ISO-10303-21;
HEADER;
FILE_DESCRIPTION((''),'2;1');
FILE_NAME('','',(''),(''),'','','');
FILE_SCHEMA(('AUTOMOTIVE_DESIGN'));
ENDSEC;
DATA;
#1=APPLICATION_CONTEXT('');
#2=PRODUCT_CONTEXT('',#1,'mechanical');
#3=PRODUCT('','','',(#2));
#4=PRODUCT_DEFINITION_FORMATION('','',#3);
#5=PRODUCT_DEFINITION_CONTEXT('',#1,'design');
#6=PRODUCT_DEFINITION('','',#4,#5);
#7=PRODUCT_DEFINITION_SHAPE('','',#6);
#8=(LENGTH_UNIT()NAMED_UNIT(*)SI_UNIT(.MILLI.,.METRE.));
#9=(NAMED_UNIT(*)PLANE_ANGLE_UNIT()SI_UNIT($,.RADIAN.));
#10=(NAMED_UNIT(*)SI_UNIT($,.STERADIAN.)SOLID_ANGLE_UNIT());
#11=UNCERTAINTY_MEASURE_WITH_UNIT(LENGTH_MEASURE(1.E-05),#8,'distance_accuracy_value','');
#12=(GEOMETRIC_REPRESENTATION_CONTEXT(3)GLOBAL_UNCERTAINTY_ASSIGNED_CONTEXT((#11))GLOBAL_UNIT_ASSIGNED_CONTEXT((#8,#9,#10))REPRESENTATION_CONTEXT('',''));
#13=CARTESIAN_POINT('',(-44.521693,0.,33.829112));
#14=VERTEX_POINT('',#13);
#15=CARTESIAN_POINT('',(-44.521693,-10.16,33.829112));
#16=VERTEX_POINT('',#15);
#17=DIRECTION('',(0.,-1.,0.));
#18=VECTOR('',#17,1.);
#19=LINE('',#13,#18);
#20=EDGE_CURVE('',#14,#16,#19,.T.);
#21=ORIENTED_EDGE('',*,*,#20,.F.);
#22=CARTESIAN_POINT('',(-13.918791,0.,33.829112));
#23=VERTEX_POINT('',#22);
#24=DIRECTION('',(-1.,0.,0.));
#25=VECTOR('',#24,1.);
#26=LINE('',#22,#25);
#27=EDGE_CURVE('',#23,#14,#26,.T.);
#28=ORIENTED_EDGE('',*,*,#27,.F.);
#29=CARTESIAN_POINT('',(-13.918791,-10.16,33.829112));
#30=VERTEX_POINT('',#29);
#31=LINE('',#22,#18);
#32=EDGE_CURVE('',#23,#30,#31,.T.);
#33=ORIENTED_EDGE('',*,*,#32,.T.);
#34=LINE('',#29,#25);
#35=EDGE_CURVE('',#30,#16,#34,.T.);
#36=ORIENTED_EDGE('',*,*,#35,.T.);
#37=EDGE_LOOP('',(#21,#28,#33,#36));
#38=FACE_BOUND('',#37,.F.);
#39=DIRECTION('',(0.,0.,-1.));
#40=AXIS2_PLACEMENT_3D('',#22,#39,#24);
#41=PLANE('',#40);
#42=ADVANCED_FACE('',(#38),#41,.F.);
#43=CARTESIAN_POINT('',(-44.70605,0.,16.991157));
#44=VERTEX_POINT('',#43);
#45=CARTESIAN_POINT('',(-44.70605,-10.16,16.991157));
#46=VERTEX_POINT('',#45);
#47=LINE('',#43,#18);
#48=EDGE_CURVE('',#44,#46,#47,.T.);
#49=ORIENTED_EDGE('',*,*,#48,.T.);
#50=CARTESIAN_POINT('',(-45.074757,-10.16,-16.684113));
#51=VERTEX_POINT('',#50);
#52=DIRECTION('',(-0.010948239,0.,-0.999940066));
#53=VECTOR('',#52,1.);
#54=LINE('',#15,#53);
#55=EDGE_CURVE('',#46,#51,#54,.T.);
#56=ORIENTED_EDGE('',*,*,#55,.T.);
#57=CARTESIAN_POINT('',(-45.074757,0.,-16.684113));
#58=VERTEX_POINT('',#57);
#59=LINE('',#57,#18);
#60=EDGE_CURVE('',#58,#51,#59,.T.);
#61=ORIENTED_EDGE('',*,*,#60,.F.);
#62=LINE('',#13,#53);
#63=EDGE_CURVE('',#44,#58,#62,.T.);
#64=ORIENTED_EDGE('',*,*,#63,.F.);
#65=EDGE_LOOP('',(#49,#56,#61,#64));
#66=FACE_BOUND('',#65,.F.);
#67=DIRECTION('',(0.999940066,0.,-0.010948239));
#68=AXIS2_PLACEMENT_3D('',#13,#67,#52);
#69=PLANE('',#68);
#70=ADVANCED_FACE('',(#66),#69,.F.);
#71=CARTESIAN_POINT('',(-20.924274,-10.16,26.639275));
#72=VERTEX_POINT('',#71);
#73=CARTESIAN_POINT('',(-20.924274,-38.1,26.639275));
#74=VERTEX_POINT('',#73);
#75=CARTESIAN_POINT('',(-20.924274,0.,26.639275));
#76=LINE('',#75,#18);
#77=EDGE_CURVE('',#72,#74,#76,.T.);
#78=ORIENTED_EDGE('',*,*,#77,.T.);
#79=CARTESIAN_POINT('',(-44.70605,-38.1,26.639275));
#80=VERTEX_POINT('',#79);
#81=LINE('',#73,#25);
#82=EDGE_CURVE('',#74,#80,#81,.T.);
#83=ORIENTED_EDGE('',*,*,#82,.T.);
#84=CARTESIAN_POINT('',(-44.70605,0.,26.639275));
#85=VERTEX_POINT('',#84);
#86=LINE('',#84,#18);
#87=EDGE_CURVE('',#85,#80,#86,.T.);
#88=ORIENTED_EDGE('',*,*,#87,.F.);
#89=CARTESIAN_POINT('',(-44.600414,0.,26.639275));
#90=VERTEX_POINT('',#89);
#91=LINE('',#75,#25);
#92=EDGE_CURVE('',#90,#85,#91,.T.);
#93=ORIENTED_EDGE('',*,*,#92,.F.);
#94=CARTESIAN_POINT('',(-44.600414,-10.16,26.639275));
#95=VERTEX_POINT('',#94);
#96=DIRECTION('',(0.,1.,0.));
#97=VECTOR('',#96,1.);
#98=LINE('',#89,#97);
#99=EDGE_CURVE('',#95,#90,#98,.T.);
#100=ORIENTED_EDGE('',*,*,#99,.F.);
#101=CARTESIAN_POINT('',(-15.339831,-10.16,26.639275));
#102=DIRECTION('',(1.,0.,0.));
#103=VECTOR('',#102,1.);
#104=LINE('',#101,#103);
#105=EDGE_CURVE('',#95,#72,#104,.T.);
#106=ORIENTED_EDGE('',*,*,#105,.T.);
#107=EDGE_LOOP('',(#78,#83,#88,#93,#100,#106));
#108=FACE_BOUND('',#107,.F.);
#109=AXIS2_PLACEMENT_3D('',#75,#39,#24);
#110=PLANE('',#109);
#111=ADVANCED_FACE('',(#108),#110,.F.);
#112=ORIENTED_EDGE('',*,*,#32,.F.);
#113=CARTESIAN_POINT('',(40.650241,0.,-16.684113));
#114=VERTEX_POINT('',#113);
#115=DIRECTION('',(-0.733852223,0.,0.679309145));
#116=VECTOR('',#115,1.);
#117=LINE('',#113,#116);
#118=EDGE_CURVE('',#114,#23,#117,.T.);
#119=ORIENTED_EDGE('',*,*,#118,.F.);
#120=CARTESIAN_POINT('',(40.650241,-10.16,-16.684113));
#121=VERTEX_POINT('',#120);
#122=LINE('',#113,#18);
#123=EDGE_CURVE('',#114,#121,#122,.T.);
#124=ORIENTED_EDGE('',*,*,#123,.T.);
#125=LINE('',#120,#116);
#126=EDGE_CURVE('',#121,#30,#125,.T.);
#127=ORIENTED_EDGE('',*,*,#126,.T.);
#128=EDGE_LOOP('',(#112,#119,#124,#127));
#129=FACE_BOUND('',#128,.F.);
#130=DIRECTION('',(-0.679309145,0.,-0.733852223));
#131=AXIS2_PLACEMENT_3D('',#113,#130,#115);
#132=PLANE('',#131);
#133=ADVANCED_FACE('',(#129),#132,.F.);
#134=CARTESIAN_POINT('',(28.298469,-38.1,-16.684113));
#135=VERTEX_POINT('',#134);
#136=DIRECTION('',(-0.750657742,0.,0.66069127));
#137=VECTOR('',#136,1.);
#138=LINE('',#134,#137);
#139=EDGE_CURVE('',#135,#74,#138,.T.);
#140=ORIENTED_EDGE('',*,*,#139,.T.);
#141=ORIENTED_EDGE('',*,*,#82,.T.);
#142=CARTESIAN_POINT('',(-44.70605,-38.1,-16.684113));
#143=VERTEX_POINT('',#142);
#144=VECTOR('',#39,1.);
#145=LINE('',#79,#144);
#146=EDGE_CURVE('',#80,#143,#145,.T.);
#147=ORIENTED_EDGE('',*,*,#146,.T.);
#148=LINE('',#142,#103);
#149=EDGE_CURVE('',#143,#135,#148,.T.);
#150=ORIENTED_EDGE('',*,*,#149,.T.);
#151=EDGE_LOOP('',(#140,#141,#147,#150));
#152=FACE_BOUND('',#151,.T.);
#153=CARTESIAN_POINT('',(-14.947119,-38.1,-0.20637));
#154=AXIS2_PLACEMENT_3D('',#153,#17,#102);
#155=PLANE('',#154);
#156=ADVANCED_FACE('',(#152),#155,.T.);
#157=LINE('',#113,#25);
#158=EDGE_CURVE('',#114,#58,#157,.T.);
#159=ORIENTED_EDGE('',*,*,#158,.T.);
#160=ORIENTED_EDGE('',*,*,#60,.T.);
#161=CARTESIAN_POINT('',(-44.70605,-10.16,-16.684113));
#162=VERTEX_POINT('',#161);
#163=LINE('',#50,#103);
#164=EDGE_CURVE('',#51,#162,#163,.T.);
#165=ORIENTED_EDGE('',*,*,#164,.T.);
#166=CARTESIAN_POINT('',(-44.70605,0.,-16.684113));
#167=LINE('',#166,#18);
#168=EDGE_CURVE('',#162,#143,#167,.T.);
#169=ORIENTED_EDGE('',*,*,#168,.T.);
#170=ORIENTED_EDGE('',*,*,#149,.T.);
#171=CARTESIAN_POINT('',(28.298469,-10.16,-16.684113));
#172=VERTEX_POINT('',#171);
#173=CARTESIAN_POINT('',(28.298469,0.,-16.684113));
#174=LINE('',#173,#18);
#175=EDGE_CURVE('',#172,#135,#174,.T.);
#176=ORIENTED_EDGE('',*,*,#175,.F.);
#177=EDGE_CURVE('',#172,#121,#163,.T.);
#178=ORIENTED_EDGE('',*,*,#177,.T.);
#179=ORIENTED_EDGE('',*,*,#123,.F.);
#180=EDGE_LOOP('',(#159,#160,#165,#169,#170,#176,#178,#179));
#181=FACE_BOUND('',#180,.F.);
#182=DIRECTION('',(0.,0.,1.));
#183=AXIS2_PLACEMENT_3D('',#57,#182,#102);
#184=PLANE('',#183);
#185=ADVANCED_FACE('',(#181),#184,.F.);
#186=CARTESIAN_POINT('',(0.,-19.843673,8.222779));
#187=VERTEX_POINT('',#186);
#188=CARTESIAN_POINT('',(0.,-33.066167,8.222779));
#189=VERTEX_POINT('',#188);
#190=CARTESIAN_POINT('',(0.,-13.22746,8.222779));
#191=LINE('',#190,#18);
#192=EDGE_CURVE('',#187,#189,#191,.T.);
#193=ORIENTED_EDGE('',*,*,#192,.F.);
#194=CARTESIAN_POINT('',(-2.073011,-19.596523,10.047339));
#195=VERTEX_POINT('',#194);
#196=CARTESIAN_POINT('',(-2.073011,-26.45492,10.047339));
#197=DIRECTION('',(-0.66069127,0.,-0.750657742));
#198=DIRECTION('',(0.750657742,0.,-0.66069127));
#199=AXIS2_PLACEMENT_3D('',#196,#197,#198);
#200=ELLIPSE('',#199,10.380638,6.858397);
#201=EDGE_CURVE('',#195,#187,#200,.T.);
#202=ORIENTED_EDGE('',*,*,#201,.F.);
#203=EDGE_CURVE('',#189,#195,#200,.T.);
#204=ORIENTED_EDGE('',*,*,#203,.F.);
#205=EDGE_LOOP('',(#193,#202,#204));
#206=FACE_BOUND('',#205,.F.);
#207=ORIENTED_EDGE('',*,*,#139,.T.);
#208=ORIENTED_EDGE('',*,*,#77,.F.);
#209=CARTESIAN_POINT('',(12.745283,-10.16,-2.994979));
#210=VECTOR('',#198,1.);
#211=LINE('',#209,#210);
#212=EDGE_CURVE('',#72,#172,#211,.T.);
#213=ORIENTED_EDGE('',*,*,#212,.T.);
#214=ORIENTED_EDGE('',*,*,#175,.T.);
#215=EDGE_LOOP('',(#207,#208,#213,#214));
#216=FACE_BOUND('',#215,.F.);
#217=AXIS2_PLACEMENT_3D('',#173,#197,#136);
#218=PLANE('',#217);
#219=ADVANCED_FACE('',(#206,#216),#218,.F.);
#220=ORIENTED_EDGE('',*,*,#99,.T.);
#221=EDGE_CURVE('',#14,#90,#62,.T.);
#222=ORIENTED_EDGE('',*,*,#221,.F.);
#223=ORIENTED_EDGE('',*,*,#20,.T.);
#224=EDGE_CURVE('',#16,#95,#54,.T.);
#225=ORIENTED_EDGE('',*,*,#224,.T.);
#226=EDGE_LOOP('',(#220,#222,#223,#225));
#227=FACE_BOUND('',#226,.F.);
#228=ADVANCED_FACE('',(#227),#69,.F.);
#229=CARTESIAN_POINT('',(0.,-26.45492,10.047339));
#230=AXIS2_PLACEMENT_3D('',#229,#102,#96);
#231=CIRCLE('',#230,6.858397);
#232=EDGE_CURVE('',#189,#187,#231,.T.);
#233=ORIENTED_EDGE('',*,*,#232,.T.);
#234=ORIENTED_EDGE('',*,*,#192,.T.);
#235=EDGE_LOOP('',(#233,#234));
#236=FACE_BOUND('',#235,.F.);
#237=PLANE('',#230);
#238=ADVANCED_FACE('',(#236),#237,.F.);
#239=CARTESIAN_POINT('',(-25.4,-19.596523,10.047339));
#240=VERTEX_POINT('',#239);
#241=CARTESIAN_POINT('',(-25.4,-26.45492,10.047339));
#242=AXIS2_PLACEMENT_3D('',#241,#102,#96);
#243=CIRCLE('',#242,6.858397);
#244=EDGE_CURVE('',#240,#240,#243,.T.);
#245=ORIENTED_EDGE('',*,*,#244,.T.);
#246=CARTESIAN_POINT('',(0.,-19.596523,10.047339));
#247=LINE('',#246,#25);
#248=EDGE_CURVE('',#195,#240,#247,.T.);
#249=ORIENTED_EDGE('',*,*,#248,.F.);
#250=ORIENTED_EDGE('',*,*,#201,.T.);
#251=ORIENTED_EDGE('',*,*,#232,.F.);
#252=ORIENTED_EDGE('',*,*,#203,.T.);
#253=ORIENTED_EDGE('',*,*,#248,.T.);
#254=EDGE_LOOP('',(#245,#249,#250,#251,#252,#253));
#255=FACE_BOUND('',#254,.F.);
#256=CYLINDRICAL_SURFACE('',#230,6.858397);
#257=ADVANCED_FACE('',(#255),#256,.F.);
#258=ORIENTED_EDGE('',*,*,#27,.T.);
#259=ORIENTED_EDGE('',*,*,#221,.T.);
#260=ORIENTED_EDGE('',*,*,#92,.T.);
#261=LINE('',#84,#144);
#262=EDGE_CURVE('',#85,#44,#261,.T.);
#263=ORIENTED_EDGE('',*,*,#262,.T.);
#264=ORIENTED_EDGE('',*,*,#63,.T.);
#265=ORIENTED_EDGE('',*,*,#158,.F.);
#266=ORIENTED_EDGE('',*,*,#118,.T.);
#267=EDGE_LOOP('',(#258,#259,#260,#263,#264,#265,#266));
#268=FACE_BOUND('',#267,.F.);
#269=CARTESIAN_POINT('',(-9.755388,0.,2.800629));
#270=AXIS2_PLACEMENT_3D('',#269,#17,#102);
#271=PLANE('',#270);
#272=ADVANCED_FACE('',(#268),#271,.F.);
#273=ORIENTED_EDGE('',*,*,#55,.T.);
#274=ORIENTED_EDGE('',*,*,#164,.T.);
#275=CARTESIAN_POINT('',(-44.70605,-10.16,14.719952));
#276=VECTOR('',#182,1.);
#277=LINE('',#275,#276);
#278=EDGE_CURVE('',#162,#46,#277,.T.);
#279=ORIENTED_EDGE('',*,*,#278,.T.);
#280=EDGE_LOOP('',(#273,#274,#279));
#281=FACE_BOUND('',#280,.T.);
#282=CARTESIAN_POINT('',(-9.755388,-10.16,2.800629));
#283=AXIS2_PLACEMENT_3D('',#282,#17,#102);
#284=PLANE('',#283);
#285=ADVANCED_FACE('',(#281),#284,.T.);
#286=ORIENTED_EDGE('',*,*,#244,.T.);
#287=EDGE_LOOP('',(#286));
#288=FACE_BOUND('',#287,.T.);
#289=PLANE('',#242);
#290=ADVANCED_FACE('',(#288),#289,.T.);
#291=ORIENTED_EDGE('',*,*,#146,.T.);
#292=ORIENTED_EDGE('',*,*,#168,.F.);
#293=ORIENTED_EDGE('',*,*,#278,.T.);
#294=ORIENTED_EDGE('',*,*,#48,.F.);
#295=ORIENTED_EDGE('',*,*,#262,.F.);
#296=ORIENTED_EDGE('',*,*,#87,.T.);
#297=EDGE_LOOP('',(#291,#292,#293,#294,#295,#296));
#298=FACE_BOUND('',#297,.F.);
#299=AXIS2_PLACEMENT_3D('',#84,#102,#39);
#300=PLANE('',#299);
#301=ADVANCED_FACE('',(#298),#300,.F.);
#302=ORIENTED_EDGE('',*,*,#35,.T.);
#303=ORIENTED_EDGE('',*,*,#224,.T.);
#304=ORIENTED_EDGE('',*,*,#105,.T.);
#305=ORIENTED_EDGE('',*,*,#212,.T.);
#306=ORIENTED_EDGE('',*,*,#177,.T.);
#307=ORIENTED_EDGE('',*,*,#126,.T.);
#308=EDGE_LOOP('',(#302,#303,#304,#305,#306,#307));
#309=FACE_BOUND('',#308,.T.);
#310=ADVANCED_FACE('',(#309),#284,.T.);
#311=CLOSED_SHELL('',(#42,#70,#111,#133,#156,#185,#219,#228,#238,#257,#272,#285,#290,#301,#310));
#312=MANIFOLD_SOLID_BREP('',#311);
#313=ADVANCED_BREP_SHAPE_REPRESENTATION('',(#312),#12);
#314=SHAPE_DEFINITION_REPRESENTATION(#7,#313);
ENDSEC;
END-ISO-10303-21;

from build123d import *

# Parameters (mm, degrees)
F1_DEPTH = 10.16
F3_DEPTH = 38.1
F4_R     = 6.858397
F5_DEPTH = 25.4


with BuildPart() as f1:
    # F0 (on Front) → F1 (new body)
    with BuildSketch(Plane.XZ):
        Polygon((-13.918791, 33.829112), (-44.521693, 33.829112), (-45.074757, -16.684113), (40.650241, -16.684113), align=None)
    extrude(amount=F1_DEPTH)

    # F2 (on Front) → F3 (join)
    with BuildSketch(Plane.XZ):
        Polygon((-20.924274, 26.639275), (-44.70605, 26.639275), (-44.70605, -16.684113), (28.298469, -16.684113), align=None)
    extrude(amount=F3_DEPTH)

    # F4 (on Right) → F5 (cut)
    with BuildSketch(Plane.YZ):
        with Locations((-26.45492, 10.047339)):
            Circle(F4_R)
    extrude(amount=-F5_DEPTH, mode=Mode.SUBTRACT)


solid = f1.part
